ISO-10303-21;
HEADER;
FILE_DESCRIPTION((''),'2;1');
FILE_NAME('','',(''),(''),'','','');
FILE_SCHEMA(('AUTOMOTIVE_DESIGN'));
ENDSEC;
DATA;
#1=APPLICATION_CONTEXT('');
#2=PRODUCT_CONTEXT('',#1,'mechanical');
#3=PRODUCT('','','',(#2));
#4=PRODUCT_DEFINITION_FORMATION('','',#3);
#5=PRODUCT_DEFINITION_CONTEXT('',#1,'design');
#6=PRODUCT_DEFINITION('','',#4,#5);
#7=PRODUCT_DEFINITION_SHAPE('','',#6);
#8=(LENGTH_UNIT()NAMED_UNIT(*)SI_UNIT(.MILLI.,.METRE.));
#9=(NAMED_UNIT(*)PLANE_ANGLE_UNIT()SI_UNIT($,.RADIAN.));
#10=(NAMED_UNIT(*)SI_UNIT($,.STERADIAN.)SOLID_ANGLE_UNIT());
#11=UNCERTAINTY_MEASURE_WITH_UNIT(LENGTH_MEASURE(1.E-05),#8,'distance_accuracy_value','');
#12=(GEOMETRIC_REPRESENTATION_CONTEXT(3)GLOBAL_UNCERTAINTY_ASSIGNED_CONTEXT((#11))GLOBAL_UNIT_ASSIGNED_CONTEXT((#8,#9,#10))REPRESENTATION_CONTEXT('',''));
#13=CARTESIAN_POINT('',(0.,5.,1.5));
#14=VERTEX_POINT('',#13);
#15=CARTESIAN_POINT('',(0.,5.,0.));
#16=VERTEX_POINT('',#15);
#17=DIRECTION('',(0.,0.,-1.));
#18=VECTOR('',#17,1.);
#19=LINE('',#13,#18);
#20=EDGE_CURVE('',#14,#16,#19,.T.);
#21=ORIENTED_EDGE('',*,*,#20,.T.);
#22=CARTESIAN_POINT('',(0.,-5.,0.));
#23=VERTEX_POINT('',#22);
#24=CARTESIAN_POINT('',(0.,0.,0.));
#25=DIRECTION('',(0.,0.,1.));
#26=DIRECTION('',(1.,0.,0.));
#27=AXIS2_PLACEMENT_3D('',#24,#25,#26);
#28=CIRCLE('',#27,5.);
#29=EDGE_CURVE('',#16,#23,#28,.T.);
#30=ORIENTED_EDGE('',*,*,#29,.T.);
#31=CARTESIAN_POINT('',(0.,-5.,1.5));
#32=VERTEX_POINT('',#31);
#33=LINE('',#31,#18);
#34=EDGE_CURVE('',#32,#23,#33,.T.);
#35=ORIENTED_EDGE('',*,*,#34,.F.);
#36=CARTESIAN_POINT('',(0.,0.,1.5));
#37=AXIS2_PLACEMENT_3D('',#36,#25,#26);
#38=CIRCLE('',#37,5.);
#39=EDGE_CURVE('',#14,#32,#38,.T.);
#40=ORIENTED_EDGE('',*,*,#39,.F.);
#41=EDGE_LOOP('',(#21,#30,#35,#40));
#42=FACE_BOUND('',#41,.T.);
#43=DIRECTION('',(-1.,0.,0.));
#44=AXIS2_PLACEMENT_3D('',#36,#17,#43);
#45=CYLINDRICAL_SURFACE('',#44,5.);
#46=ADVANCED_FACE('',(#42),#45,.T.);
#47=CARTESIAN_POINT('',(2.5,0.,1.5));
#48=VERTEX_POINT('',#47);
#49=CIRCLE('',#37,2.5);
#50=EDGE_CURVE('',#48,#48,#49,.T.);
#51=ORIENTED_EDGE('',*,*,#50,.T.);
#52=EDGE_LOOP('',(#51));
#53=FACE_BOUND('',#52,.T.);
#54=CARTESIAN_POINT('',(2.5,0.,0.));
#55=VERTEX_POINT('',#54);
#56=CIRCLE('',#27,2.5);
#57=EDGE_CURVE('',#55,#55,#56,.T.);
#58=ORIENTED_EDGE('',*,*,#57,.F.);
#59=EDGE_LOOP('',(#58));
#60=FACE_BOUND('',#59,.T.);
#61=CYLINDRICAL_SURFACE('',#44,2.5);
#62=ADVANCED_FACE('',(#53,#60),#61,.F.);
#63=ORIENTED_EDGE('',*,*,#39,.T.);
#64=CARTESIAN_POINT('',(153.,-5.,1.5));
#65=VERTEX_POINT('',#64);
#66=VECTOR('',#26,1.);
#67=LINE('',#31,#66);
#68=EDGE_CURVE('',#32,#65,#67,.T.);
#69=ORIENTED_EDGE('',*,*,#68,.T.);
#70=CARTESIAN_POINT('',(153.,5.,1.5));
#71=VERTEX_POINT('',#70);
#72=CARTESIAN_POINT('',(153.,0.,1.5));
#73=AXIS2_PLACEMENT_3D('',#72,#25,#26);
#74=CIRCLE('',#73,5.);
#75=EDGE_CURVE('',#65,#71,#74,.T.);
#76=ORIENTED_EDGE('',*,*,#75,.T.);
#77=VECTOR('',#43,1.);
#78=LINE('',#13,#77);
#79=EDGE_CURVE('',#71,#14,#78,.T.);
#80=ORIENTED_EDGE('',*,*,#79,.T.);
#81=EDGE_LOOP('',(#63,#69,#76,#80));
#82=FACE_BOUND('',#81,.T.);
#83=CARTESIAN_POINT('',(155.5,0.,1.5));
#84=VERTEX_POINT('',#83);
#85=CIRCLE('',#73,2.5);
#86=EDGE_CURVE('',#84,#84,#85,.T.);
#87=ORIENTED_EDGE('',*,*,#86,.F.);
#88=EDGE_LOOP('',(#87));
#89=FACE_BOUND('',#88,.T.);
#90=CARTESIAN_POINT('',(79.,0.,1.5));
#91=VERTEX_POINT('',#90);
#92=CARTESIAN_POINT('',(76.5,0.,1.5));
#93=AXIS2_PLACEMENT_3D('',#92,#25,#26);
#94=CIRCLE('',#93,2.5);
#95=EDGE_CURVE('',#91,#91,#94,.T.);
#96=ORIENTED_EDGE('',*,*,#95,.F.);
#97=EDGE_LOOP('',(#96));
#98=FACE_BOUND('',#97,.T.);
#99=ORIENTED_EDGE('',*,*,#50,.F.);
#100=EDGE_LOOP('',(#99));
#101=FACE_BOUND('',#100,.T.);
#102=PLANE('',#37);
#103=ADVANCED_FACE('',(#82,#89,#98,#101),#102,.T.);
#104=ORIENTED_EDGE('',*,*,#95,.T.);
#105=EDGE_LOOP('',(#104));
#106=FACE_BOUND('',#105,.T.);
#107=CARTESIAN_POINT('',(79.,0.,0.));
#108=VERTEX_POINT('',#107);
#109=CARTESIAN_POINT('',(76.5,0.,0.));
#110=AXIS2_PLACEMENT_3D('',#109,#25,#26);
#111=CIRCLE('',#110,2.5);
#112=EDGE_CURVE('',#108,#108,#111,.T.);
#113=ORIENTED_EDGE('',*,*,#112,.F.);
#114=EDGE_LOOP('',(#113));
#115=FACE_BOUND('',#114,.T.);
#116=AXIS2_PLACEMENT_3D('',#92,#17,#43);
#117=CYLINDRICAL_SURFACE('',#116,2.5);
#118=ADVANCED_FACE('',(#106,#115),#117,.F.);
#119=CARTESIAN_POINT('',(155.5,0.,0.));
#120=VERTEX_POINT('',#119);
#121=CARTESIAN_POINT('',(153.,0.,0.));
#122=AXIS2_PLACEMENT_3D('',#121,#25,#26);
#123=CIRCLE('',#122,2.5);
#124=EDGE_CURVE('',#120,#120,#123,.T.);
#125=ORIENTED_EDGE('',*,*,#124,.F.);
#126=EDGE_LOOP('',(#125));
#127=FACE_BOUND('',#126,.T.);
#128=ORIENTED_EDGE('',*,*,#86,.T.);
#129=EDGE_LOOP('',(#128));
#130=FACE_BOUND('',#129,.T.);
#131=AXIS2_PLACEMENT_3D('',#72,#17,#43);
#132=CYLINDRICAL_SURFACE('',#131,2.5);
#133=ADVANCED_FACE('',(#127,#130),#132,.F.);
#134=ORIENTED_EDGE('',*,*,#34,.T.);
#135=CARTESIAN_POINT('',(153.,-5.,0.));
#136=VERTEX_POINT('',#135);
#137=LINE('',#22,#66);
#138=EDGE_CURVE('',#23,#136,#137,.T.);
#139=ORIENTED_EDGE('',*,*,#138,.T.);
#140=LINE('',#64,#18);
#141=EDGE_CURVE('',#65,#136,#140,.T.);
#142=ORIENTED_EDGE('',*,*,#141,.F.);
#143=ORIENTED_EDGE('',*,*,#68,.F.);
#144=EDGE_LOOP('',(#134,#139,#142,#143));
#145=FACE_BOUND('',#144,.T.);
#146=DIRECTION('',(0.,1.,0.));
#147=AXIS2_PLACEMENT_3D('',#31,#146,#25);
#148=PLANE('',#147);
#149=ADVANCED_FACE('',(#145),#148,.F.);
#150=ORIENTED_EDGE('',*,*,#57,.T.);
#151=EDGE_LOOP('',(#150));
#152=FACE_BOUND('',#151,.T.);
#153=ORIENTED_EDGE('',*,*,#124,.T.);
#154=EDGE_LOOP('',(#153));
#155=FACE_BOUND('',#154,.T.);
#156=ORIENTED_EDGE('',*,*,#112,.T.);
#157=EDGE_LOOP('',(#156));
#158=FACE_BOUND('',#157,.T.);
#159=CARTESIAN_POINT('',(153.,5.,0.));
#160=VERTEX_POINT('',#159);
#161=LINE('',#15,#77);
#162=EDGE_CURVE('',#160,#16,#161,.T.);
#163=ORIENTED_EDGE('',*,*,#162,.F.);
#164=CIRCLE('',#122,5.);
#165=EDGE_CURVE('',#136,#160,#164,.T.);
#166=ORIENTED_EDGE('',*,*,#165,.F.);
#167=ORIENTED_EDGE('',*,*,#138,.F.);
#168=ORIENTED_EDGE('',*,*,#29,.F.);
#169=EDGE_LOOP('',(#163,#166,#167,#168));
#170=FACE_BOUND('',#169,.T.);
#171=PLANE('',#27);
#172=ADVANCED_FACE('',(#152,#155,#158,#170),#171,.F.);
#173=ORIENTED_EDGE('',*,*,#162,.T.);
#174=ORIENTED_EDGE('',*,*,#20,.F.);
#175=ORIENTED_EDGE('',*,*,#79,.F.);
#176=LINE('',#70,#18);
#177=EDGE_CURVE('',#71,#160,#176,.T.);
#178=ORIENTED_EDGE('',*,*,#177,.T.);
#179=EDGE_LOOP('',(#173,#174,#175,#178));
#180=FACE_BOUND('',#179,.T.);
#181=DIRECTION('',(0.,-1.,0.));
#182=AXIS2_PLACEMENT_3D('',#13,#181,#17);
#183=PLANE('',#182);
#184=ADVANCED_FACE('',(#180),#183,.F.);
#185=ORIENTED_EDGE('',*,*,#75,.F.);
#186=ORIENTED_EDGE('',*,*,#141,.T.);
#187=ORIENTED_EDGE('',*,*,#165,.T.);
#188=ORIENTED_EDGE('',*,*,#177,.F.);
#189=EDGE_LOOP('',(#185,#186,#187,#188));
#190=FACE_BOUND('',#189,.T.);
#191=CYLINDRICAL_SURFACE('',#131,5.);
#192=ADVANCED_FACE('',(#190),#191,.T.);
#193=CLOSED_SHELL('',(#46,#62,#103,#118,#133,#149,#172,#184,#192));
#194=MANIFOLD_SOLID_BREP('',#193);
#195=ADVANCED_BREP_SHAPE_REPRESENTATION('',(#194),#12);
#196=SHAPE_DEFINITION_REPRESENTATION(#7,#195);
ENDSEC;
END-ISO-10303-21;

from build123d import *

# Parameters (mm, degrees)
SKETCH1_R           = 2.5
BOSS_EXTRUDE1_DEPTH = 1.5


with BuildPart() as part:
    # Sketch1 → Boss-Extrude1 (new body)
    with BuildSketch(Plane.XY):
        with BuildLine():
            Line((0, 5), (153, 5))
            ThreePointArc((153, 5), (158, 0), (153, -5))
            Line((153, -5), (0, -5))
            ThreePointArc((0, -5), (-5, 0), (0, 5))
        make_face()
        Circle(SKETCH1_R, mode=Mode.SUBTRACT)
        with Locations((153, 0)):
            Circle(SKETCH1_R, mode=Mode.SUBTRACT)
        with Locations((76.5, 0)):
            Circle(SKETCH1_R, mode=Mode.SUBTRACT)
    extrude(amount=BOSS_EXTRUDE1_DEPTH)


solid = part.part
